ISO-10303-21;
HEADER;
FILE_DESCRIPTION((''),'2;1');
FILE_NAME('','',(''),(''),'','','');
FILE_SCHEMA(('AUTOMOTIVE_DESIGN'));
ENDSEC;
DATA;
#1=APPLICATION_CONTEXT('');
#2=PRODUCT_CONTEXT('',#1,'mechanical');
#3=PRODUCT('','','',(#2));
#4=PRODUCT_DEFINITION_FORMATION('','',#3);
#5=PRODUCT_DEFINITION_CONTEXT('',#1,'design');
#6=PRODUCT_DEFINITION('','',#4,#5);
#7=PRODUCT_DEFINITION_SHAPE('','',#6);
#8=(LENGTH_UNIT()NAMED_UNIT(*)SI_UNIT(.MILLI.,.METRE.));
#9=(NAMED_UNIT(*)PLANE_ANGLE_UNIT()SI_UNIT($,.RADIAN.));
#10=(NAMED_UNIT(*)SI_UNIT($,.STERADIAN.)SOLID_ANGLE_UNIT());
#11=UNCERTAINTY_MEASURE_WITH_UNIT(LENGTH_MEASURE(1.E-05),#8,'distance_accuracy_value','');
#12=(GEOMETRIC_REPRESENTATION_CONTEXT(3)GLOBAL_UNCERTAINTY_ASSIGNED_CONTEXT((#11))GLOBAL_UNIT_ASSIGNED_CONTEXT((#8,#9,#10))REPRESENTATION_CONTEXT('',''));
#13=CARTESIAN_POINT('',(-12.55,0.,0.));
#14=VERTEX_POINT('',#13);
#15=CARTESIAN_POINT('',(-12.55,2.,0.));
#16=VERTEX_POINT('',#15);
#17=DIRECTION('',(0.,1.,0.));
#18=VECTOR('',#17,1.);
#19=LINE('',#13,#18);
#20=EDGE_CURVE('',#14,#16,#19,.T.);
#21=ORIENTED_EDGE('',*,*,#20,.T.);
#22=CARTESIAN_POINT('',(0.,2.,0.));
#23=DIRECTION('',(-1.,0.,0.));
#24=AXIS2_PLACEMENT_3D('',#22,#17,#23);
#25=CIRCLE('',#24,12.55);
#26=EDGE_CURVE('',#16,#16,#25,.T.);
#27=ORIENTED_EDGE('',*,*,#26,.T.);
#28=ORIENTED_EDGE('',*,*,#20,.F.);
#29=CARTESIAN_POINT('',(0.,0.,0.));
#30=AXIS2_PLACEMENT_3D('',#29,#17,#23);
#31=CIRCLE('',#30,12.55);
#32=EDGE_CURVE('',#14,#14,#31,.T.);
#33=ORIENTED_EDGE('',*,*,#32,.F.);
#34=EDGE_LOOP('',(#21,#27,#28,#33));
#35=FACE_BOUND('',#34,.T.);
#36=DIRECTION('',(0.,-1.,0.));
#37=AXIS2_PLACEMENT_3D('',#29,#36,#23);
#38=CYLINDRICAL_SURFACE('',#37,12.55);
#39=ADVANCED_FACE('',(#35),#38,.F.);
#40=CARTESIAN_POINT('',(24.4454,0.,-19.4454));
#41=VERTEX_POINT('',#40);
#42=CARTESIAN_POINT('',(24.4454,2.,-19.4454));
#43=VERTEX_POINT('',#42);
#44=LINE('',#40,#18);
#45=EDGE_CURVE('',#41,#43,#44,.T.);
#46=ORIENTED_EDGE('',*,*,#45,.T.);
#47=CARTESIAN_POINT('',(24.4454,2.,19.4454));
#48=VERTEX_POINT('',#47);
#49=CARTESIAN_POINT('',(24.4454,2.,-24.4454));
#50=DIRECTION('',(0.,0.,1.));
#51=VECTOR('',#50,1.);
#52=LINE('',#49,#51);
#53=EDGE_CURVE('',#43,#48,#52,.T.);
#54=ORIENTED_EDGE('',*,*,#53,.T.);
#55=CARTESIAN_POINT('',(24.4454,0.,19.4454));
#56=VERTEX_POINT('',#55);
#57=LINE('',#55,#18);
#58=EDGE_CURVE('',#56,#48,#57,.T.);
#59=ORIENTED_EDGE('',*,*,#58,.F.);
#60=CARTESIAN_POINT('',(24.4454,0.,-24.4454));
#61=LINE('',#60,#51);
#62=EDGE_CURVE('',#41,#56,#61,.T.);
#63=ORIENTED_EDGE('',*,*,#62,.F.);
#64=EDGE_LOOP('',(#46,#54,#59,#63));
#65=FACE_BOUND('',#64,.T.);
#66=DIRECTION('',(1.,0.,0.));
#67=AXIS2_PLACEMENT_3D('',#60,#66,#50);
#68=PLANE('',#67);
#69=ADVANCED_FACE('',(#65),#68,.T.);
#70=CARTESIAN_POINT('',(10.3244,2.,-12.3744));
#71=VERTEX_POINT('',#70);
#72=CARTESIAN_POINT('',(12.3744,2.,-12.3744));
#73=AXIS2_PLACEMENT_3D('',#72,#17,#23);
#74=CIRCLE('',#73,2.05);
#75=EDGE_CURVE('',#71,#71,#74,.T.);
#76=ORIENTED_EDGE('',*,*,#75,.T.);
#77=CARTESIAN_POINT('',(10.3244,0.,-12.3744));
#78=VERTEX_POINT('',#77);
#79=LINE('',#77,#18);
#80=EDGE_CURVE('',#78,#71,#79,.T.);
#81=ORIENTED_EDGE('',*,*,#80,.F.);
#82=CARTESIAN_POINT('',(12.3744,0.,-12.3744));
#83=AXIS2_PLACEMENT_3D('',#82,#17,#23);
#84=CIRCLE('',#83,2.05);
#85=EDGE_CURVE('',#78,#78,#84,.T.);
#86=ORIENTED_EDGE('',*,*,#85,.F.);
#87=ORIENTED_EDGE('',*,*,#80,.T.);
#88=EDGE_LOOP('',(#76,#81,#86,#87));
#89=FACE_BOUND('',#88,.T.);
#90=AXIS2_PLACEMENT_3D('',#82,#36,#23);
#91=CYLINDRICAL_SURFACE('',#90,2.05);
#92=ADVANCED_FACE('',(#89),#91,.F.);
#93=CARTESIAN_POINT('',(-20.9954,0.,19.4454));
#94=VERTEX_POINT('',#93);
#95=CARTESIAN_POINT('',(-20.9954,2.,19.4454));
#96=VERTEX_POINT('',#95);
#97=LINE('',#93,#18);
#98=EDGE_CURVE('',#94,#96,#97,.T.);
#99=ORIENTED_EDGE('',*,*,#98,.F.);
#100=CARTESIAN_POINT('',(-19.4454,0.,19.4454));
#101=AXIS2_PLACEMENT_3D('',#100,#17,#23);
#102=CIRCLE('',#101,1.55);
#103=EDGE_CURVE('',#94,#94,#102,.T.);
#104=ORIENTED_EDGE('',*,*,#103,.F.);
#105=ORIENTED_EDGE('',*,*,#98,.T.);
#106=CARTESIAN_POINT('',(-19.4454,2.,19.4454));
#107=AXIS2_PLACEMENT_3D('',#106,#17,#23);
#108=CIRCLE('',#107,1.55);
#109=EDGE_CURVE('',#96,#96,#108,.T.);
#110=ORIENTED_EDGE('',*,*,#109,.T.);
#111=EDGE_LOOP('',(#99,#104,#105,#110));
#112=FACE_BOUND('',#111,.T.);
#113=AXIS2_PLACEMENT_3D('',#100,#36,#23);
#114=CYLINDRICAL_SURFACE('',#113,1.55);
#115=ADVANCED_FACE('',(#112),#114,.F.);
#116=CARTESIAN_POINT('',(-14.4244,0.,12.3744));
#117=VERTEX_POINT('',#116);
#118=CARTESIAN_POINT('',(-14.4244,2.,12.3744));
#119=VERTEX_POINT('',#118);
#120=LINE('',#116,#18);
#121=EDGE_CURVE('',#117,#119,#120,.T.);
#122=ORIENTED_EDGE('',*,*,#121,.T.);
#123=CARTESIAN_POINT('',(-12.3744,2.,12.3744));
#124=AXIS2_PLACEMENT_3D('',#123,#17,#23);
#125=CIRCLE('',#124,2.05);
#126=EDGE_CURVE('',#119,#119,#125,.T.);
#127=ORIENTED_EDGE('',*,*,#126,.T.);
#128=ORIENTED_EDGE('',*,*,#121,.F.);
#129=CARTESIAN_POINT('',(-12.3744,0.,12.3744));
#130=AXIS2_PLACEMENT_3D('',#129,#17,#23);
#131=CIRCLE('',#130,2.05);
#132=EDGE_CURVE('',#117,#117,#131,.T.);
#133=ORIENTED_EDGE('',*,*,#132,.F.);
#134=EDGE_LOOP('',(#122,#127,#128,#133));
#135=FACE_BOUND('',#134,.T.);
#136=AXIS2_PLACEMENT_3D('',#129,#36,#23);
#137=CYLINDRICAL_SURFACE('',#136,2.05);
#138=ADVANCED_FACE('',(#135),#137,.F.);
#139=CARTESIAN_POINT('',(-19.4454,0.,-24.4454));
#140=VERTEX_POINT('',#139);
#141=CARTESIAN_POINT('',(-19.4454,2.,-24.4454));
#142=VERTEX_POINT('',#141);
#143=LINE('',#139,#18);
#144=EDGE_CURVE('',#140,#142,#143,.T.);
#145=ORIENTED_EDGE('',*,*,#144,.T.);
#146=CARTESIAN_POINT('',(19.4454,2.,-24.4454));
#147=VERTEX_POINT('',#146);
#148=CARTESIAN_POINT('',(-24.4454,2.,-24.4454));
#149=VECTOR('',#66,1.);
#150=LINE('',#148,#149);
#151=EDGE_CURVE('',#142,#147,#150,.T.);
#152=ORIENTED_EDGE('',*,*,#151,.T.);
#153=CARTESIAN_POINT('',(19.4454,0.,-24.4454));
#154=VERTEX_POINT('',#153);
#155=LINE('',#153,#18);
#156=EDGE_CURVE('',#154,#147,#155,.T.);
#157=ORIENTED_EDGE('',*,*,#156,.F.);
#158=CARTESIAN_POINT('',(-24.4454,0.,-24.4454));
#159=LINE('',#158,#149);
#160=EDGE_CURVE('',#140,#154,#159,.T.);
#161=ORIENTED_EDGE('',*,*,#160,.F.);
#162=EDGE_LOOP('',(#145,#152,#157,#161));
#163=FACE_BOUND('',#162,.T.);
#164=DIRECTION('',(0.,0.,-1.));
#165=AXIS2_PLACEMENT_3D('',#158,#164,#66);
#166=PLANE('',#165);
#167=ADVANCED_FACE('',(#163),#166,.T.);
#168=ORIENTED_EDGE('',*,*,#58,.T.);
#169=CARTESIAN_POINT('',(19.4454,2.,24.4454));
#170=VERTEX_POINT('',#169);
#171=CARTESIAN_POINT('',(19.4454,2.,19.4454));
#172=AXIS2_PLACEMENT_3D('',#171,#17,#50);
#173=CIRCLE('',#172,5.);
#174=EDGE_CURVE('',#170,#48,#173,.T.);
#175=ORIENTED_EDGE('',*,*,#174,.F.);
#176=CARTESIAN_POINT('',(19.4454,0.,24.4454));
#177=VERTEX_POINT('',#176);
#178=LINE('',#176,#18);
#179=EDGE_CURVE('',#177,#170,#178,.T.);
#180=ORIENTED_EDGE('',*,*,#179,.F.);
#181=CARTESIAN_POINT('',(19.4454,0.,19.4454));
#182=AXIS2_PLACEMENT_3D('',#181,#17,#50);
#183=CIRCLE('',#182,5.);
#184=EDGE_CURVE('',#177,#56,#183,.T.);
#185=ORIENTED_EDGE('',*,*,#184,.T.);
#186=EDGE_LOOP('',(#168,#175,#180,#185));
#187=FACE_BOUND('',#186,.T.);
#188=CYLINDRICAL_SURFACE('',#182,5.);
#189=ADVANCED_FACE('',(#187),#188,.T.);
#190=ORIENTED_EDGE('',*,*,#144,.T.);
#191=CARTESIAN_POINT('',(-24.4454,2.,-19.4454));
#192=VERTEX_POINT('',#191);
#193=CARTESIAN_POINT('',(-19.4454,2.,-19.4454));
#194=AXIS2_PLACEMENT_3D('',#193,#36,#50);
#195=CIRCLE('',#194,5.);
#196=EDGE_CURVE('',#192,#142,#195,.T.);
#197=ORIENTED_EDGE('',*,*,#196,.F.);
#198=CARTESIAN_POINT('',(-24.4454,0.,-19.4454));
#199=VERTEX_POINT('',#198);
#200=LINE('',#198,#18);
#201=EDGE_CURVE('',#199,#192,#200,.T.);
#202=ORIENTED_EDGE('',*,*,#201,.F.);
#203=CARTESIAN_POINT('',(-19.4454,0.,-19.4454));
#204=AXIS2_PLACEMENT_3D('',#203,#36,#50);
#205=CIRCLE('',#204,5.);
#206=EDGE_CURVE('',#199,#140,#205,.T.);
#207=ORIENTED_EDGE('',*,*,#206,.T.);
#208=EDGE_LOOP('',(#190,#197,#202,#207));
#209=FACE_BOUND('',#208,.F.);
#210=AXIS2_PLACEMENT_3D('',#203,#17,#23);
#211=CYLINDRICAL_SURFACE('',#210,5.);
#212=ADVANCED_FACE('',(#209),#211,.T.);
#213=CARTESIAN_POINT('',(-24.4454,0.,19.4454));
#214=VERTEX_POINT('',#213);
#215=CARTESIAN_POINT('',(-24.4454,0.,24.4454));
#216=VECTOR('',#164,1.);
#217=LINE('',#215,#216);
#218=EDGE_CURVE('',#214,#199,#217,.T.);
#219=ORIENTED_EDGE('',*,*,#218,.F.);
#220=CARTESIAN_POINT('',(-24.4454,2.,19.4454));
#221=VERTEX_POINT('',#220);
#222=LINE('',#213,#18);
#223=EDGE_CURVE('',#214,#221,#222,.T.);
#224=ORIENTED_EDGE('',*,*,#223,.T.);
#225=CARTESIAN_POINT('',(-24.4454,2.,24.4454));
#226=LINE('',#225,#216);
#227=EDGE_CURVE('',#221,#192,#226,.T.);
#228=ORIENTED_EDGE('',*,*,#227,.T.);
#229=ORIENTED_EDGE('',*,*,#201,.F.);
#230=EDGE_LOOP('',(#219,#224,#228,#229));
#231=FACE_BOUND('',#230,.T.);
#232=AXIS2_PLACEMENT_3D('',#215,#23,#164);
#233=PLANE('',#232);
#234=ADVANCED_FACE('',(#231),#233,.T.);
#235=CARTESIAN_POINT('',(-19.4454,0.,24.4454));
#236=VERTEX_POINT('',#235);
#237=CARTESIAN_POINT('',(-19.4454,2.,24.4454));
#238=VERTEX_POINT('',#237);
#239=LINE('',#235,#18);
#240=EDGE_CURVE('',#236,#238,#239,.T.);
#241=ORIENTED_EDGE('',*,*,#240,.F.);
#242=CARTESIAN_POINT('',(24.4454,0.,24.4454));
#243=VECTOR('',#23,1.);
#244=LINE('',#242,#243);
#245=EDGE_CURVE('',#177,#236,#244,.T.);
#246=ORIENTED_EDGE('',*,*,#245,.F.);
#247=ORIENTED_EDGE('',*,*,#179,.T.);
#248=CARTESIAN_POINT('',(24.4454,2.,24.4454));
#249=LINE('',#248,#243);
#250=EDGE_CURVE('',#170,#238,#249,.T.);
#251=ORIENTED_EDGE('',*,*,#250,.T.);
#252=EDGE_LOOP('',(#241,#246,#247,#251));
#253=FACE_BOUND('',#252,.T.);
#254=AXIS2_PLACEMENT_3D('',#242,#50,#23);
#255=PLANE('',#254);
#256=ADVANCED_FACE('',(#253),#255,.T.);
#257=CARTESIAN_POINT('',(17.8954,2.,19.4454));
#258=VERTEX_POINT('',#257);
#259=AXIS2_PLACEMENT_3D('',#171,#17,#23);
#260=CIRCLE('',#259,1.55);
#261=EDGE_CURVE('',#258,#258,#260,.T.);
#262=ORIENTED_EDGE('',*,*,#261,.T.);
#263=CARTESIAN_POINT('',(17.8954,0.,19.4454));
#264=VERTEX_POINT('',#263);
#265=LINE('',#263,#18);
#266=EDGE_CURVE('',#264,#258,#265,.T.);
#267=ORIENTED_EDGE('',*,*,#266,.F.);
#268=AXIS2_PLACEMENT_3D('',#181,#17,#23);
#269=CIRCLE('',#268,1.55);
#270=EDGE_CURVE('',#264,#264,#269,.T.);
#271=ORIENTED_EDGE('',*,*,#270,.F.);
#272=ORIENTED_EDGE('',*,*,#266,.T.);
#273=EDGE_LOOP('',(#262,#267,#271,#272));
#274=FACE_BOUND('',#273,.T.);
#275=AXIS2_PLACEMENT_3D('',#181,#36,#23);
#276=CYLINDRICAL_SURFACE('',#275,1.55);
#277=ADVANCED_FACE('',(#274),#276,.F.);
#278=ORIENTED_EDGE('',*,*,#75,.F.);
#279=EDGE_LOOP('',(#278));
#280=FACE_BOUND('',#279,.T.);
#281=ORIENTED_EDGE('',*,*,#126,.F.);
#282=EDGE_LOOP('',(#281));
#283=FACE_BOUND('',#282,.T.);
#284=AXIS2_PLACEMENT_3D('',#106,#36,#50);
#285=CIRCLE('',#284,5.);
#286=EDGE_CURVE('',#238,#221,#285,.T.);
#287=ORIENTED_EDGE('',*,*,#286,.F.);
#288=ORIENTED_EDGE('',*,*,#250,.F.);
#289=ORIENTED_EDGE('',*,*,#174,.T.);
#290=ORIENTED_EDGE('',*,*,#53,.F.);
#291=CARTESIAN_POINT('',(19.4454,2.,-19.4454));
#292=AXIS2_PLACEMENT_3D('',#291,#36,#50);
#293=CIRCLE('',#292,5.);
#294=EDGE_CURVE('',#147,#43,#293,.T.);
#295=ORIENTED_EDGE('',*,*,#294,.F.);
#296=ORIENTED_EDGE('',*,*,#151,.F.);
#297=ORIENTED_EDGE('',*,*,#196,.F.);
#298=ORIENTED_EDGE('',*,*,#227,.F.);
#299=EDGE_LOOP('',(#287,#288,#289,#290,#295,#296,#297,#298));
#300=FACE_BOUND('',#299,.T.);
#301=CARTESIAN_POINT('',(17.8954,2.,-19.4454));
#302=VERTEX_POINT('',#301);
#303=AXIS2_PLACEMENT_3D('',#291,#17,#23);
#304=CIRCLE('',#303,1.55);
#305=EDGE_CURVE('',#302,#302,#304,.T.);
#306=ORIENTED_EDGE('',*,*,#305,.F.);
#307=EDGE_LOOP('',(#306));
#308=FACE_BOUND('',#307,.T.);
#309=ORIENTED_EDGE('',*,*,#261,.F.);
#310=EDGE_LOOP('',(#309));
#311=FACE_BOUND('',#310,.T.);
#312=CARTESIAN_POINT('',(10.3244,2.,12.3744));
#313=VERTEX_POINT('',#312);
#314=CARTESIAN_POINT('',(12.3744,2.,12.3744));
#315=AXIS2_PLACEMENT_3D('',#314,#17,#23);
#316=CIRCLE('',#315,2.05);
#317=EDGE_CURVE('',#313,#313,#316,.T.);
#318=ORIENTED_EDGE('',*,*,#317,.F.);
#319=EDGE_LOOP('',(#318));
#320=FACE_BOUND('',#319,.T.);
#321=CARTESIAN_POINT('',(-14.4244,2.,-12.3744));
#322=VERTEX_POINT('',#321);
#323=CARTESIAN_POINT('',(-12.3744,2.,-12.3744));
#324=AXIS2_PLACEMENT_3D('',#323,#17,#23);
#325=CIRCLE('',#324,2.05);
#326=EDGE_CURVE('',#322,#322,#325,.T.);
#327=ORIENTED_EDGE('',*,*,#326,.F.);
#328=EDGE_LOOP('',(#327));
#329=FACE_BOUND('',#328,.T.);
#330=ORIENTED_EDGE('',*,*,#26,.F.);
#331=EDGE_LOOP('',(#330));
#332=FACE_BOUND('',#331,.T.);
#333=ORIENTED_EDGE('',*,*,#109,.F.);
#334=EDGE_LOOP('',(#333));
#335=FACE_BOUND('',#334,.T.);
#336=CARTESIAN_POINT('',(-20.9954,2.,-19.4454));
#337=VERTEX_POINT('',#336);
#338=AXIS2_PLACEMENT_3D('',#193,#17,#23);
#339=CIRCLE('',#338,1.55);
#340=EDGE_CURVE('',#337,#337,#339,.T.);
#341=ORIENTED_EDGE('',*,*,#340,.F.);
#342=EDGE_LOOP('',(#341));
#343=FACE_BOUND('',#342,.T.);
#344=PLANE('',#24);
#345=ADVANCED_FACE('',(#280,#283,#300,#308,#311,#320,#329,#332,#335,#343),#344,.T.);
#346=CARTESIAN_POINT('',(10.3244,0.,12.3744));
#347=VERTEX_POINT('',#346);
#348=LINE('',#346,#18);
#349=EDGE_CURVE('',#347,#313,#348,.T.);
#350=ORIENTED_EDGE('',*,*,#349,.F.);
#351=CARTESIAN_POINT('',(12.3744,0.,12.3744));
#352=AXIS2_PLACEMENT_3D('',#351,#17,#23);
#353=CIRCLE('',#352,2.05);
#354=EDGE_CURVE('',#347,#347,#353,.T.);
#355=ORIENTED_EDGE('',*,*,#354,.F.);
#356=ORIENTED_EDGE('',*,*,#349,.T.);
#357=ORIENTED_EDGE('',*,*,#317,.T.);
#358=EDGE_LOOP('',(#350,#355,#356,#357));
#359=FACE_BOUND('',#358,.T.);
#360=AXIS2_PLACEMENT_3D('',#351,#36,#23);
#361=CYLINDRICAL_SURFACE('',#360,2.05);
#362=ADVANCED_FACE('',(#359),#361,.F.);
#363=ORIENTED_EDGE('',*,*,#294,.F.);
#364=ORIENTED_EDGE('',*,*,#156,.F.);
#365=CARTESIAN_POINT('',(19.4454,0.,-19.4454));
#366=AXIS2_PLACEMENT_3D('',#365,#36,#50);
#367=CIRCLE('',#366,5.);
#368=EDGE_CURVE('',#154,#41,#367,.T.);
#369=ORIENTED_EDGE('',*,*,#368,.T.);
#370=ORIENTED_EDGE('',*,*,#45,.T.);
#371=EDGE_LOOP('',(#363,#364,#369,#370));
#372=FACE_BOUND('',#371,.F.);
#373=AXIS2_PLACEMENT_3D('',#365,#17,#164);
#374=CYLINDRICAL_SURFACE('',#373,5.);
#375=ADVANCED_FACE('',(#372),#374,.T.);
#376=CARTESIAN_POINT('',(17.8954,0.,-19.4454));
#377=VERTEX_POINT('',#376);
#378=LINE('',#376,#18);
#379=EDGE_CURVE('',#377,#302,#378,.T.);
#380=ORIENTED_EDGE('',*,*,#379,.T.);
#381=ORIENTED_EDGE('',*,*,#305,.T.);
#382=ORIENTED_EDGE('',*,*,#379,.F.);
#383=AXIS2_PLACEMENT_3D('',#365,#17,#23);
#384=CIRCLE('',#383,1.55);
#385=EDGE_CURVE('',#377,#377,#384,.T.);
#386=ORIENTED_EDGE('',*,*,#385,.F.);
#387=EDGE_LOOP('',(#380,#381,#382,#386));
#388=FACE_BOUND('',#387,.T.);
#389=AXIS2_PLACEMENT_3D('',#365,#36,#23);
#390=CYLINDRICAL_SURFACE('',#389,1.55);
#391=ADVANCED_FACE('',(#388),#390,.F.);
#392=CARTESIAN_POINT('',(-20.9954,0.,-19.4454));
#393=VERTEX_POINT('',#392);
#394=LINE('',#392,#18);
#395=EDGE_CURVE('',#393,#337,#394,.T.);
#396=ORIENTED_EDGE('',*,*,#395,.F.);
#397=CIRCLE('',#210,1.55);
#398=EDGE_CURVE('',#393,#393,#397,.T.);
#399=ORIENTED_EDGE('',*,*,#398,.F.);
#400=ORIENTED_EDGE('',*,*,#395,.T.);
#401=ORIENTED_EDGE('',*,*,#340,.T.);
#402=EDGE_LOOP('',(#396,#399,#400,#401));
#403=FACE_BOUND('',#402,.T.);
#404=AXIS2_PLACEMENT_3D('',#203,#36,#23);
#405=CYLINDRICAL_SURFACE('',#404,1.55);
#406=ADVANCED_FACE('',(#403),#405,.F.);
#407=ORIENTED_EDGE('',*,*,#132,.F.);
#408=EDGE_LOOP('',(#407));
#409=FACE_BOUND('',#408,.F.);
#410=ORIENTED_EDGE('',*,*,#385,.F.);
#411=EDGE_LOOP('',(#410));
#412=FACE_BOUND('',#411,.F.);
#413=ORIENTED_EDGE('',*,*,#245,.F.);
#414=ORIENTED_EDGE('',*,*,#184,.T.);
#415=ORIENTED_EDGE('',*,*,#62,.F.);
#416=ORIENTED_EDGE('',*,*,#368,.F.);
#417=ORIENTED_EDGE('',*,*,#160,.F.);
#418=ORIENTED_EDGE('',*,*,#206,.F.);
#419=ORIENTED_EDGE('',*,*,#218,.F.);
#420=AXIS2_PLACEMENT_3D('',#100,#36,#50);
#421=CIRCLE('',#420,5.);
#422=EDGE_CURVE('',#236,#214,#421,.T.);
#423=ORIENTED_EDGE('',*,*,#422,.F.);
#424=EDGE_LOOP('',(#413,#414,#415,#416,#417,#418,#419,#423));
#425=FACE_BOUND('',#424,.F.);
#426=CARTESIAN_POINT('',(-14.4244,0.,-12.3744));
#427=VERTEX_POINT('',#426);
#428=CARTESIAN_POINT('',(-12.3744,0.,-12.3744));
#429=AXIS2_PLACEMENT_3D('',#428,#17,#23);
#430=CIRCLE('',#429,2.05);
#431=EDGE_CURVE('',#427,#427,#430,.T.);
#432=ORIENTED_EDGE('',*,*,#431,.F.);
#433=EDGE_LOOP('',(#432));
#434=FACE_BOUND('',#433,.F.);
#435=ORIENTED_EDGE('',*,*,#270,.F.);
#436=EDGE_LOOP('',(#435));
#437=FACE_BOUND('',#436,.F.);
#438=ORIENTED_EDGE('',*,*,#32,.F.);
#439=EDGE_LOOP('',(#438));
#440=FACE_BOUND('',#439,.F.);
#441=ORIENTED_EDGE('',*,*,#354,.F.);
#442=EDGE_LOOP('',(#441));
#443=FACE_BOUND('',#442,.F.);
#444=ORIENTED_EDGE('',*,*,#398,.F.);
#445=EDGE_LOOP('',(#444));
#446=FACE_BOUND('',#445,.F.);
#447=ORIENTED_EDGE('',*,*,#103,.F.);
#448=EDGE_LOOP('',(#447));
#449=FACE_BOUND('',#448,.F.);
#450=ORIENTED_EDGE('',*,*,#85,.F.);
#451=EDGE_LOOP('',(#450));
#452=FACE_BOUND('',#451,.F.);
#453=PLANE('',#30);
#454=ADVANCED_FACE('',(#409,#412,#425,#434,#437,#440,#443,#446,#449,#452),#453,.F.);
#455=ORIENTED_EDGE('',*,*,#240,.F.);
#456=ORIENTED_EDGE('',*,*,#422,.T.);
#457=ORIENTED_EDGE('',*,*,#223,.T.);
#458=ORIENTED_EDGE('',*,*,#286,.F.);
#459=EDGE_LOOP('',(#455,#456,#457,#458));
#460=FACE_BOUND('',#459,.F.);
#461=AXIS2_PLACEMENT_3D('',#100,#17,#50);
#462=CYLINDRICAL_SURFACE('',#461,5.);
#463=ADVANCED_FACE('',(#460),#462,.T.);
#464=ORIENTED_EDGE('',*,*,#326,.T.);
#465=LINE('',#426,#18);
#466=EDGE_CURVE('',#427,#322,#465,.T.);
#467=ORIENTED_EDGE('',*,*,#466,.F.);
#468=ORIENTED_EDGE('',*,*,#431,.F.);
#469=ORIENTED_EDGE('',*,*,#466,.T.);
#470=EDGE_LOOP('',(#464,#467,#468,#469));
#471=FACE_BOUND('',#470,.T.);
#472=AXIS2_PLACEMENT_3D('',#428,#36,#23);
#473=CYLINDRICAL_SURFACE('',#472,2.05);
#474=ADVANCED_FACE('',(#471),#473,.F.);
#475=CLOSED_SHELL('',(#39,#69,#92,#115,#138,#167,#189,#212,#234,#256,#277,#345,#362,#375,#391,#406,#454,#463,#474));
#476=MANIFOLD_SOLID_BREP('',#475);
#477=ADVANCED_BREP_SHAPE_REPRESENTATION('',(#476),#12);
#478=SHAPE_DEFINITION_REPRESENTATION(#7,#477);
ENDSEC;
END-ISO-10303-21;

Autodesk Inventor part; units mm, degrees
ref_plane "YZ Plane" through (0, 0, 0) normal (1, 0, 0) x (0, 1, 0)
ref_plane "XZ Plane" through (0, 0, 0) normal (0, 1, 0) x (-1, 0, 0)
ref_plane "XY Plane" through (0, 0, 0) normal (0, 0, 1) x (1, 0, 0)
sketch "スケッチ1" plane through (0, 0, 0) normal (0, 1, 0) x (-1, 0, 0)
  circle A0 centre (0, 0) radius 12.55
  line L0 (0, 0) -> (0, -12.55) construction
  circle A1 centre (12.3744, -12.3744) radius 2.05
  line L1 (0, 0) -> (8.8742, -8.8742) construction
  circle A2 centre (19.4454, -19.4454) radius 1.55
  circle A3 centre (0, 0) radius 27.5 construction
  circle A4 centre (19.4454, 19.4454) radius 1.55
  circle A5 centre (-19.4454, 19.4454) radius 1.55
  circle A6 centre (-19.4454, -19.4454) radius 1.55
  line L2 (-24.4454, 24.4454) -> (24.4454, 24.4454)
  line L3 (24.4454, 24.4454) -> (24.4454, -24.4454)
  line L4 (24.4454, -24.4454) -> (-24.4454, -24.4454)
  line L5 (-24.4454, -24.4454) -> (-24.4454, 24.4454)
  line L6 (-24.4454, 24.4454) -> (24.4454, -24.4454) construction
  line L7 (24.4454, 24.4454) -> (-24.4454, -24.4454) construction
  circle A7 centre (12.3744, 12.3744) radius 2.05
  circle A8 centre (-12.3744, 12.3744) radius 2.05
  circle A9 centre (-12.3744, -12.3744) radius 2.05
  dimension "d9" = 55
  dimension "d0" = 25.1
  dimension "d1" = 4.1
  dimension "d7" = 45
  dimension "d8" = 3.1
  dimension "d12" = 360
  dimension "d14" = 5
  dimension "d20" = 360
  dimension "d22" = 35
extrude "押し出し1" add sketch "スケッチ1" along normal blind 2
fillet "フィレット1" radius 5 4 edges at (24.4454, 1, 24.4454) (24.4454, 1, -24.4454) (-24.4454, 1, -24.4454) (-24.4454, 1, 24.4454)
sketch "スケッチ2" plane through (0, 2, 0) normal (0, 1, 0) x (1, 0, 0)
  arc A0 (-24.4454, -19.4454) -> (-19.4454, -24.4454) centre (-19.4454, -19.4454) ccw projected
  line L0 (-19.4454, -24.4454) -> (19.4454, -24.4454) projected
  arc A1 (19.4454, -24.4454) -> (24.4454, -19.4454) centre (19.4454, -19.4454) ccw projected
  line L1 (24.4454, -19.4454) -> (24.4454, 19.4454) projected
  arc A2 (24.4454, 19.4454) -> (19.4454, 24.4454) centre (19.4454, 19.4454) ccw projected
  line L2 (19.4454, 24.4454) -> (-19.4454, 24.4454) projected
  arc A3 (-19.4454, 24.4454) -> (-24.4454, 19.4454) centre (-19.4454, 19.4454) ccw projected
  line L3 (-24.4454, 19.4454) -> (-24.4454, -19.4454) projected
  circle A4 centre (-19.4454, 19.4454) radius 1.55 projected
  circle A5 centre (-19.4454, -19.4454) radius 1.55 projected
  circle A6 centre (19.4454, -19.4454) radius 1.55 projected
  circle A7 centre (19.4454, 19.4454) radius 1.55 projected
  circle A8 centre (12.3744, 12.3744) radius 2.05 projected
  circle A9 centre (12.3744, -12.3744) radius 2.05 projected
  circle A10 centre (-12.3744, -12.3744) radius 2.05 projected
  circle A11 centre (-12.3744, 12.3744) radius 2.05 projected
  circle A12 centre (0, 0) radius 12.55 projected
properties part number "omu_al_jo_2" material "アルミニウム 6061-AHC"
